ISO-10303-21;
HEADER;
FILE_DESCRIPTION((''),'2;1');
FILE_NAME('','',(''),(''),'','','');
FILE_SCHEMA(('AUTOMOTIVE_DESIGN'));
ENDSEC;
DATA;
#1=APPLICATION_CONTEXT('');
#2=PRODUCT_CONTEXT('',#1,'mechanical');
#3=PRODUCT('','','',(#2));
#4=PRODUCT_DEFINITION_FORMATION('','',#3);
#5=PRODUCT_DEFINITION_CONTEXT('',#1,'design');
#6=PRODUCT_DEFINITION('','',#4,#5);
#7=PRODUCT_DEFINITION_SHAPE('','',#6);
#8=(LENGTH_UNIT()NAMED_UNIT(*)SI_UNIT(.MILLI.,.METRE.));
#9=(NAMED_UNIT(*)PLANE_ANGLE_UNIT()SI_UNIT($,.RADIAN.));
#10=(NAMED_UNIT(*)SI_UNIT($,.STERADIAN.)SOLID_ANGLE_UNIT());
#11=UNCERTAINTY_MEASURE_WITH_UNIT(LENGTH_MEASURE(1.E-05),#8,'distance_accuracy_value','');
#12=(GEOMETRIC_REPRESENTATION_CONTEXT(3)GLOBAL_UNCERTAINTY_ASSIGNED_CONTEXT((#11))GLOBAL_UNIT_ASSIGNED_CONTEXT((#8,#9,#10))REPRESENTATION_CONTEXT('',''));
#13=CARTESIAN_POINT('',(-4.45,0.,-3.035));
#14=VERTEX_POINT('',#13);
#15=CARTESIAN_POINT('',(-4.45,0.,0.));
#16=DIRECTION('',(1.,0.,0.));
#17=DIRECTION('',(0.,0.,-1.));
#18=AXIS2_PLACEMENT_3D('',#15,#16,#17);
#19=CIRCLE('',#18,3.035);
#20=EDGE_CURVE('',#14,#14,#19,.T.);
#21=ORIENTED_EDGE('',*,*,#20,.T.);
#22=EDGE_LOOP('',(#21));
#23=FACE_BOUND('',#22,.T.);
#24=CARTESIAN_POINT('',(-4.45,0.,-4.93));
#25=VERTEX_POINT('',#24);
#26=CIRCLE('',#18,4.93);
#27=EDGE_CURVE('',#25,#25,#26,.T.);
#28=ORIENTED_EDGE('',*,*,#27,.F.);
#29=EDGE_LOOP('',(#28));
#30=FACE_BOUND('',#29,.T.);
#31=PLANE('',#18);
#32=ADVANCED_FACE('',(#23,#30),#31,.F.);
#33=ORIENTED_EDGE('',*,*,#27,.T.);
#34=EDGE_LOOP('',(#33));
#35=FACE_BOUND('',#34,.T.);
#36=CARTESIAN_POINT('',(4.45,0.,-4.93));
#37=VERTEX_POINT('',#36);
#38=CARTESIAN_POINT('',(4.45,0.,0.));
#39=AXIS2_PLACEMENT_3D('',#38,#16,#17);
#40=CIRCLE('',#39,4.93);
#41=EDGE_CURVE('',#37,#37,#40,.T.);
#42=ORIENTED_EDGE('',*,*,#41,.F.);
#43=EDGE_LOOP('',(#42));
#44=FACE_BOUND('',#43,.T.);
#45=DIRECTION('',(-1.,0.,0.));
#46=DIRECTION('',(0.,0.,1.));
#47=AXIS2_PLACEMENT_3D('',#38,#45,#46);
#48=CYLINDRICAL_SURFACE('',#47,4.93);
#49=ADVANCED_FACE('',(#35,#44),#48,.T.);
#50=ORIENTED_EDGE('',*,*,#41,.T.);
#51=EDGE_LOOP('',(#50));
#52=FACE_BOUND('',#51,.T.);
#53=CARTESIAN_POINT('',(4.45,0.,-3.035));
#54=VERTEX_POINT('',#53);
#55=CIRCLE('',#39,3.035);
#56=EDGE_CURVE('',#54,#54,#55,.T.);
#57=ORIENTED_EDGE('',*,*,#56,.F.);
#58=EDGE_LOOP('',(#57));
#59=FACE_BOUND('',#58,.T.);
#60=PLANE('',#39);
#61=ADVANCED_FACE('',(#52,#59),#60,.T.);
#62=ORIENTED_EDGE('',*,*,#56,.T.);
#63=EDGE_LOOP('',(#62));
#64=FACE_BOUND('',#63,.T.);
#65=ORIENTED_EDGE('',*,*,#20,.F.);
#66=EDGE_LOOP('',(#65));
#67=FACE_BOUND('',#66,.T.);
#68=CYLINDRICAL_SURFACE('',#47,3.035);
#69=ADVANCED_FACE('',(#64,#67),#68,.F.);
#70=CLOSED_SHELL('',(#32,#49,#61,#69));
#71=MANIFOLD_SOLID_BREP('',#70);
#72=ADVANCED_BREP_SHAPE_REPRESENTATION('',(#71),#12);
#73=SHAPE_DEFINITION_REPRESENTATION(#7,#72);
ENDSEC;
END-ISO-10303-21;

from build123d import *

# Parameters (mm, degrees)
SKETCH1_R           = 4.93
SKETCH1_R_2         = 3.035
BOSS_EXTRUDE1_DEPTH = 4.45


with BuildPart() as part:
    # Sketch1 → Boss-Extrude1 (new, symmetric)
    with BuildSketch(Plane(origin=(0, 0, 0), x_dir=(0, 0, -1), z_dir=(1, 0, 0))):
        Circle(SKETCH1_R)
        Circle(SKETCH1_R_2, mode=Mode.SUBTRACT)
    extrude(amount=BOSS_EXTRUDE1_DEPTH, both=True)


solid = part.part
